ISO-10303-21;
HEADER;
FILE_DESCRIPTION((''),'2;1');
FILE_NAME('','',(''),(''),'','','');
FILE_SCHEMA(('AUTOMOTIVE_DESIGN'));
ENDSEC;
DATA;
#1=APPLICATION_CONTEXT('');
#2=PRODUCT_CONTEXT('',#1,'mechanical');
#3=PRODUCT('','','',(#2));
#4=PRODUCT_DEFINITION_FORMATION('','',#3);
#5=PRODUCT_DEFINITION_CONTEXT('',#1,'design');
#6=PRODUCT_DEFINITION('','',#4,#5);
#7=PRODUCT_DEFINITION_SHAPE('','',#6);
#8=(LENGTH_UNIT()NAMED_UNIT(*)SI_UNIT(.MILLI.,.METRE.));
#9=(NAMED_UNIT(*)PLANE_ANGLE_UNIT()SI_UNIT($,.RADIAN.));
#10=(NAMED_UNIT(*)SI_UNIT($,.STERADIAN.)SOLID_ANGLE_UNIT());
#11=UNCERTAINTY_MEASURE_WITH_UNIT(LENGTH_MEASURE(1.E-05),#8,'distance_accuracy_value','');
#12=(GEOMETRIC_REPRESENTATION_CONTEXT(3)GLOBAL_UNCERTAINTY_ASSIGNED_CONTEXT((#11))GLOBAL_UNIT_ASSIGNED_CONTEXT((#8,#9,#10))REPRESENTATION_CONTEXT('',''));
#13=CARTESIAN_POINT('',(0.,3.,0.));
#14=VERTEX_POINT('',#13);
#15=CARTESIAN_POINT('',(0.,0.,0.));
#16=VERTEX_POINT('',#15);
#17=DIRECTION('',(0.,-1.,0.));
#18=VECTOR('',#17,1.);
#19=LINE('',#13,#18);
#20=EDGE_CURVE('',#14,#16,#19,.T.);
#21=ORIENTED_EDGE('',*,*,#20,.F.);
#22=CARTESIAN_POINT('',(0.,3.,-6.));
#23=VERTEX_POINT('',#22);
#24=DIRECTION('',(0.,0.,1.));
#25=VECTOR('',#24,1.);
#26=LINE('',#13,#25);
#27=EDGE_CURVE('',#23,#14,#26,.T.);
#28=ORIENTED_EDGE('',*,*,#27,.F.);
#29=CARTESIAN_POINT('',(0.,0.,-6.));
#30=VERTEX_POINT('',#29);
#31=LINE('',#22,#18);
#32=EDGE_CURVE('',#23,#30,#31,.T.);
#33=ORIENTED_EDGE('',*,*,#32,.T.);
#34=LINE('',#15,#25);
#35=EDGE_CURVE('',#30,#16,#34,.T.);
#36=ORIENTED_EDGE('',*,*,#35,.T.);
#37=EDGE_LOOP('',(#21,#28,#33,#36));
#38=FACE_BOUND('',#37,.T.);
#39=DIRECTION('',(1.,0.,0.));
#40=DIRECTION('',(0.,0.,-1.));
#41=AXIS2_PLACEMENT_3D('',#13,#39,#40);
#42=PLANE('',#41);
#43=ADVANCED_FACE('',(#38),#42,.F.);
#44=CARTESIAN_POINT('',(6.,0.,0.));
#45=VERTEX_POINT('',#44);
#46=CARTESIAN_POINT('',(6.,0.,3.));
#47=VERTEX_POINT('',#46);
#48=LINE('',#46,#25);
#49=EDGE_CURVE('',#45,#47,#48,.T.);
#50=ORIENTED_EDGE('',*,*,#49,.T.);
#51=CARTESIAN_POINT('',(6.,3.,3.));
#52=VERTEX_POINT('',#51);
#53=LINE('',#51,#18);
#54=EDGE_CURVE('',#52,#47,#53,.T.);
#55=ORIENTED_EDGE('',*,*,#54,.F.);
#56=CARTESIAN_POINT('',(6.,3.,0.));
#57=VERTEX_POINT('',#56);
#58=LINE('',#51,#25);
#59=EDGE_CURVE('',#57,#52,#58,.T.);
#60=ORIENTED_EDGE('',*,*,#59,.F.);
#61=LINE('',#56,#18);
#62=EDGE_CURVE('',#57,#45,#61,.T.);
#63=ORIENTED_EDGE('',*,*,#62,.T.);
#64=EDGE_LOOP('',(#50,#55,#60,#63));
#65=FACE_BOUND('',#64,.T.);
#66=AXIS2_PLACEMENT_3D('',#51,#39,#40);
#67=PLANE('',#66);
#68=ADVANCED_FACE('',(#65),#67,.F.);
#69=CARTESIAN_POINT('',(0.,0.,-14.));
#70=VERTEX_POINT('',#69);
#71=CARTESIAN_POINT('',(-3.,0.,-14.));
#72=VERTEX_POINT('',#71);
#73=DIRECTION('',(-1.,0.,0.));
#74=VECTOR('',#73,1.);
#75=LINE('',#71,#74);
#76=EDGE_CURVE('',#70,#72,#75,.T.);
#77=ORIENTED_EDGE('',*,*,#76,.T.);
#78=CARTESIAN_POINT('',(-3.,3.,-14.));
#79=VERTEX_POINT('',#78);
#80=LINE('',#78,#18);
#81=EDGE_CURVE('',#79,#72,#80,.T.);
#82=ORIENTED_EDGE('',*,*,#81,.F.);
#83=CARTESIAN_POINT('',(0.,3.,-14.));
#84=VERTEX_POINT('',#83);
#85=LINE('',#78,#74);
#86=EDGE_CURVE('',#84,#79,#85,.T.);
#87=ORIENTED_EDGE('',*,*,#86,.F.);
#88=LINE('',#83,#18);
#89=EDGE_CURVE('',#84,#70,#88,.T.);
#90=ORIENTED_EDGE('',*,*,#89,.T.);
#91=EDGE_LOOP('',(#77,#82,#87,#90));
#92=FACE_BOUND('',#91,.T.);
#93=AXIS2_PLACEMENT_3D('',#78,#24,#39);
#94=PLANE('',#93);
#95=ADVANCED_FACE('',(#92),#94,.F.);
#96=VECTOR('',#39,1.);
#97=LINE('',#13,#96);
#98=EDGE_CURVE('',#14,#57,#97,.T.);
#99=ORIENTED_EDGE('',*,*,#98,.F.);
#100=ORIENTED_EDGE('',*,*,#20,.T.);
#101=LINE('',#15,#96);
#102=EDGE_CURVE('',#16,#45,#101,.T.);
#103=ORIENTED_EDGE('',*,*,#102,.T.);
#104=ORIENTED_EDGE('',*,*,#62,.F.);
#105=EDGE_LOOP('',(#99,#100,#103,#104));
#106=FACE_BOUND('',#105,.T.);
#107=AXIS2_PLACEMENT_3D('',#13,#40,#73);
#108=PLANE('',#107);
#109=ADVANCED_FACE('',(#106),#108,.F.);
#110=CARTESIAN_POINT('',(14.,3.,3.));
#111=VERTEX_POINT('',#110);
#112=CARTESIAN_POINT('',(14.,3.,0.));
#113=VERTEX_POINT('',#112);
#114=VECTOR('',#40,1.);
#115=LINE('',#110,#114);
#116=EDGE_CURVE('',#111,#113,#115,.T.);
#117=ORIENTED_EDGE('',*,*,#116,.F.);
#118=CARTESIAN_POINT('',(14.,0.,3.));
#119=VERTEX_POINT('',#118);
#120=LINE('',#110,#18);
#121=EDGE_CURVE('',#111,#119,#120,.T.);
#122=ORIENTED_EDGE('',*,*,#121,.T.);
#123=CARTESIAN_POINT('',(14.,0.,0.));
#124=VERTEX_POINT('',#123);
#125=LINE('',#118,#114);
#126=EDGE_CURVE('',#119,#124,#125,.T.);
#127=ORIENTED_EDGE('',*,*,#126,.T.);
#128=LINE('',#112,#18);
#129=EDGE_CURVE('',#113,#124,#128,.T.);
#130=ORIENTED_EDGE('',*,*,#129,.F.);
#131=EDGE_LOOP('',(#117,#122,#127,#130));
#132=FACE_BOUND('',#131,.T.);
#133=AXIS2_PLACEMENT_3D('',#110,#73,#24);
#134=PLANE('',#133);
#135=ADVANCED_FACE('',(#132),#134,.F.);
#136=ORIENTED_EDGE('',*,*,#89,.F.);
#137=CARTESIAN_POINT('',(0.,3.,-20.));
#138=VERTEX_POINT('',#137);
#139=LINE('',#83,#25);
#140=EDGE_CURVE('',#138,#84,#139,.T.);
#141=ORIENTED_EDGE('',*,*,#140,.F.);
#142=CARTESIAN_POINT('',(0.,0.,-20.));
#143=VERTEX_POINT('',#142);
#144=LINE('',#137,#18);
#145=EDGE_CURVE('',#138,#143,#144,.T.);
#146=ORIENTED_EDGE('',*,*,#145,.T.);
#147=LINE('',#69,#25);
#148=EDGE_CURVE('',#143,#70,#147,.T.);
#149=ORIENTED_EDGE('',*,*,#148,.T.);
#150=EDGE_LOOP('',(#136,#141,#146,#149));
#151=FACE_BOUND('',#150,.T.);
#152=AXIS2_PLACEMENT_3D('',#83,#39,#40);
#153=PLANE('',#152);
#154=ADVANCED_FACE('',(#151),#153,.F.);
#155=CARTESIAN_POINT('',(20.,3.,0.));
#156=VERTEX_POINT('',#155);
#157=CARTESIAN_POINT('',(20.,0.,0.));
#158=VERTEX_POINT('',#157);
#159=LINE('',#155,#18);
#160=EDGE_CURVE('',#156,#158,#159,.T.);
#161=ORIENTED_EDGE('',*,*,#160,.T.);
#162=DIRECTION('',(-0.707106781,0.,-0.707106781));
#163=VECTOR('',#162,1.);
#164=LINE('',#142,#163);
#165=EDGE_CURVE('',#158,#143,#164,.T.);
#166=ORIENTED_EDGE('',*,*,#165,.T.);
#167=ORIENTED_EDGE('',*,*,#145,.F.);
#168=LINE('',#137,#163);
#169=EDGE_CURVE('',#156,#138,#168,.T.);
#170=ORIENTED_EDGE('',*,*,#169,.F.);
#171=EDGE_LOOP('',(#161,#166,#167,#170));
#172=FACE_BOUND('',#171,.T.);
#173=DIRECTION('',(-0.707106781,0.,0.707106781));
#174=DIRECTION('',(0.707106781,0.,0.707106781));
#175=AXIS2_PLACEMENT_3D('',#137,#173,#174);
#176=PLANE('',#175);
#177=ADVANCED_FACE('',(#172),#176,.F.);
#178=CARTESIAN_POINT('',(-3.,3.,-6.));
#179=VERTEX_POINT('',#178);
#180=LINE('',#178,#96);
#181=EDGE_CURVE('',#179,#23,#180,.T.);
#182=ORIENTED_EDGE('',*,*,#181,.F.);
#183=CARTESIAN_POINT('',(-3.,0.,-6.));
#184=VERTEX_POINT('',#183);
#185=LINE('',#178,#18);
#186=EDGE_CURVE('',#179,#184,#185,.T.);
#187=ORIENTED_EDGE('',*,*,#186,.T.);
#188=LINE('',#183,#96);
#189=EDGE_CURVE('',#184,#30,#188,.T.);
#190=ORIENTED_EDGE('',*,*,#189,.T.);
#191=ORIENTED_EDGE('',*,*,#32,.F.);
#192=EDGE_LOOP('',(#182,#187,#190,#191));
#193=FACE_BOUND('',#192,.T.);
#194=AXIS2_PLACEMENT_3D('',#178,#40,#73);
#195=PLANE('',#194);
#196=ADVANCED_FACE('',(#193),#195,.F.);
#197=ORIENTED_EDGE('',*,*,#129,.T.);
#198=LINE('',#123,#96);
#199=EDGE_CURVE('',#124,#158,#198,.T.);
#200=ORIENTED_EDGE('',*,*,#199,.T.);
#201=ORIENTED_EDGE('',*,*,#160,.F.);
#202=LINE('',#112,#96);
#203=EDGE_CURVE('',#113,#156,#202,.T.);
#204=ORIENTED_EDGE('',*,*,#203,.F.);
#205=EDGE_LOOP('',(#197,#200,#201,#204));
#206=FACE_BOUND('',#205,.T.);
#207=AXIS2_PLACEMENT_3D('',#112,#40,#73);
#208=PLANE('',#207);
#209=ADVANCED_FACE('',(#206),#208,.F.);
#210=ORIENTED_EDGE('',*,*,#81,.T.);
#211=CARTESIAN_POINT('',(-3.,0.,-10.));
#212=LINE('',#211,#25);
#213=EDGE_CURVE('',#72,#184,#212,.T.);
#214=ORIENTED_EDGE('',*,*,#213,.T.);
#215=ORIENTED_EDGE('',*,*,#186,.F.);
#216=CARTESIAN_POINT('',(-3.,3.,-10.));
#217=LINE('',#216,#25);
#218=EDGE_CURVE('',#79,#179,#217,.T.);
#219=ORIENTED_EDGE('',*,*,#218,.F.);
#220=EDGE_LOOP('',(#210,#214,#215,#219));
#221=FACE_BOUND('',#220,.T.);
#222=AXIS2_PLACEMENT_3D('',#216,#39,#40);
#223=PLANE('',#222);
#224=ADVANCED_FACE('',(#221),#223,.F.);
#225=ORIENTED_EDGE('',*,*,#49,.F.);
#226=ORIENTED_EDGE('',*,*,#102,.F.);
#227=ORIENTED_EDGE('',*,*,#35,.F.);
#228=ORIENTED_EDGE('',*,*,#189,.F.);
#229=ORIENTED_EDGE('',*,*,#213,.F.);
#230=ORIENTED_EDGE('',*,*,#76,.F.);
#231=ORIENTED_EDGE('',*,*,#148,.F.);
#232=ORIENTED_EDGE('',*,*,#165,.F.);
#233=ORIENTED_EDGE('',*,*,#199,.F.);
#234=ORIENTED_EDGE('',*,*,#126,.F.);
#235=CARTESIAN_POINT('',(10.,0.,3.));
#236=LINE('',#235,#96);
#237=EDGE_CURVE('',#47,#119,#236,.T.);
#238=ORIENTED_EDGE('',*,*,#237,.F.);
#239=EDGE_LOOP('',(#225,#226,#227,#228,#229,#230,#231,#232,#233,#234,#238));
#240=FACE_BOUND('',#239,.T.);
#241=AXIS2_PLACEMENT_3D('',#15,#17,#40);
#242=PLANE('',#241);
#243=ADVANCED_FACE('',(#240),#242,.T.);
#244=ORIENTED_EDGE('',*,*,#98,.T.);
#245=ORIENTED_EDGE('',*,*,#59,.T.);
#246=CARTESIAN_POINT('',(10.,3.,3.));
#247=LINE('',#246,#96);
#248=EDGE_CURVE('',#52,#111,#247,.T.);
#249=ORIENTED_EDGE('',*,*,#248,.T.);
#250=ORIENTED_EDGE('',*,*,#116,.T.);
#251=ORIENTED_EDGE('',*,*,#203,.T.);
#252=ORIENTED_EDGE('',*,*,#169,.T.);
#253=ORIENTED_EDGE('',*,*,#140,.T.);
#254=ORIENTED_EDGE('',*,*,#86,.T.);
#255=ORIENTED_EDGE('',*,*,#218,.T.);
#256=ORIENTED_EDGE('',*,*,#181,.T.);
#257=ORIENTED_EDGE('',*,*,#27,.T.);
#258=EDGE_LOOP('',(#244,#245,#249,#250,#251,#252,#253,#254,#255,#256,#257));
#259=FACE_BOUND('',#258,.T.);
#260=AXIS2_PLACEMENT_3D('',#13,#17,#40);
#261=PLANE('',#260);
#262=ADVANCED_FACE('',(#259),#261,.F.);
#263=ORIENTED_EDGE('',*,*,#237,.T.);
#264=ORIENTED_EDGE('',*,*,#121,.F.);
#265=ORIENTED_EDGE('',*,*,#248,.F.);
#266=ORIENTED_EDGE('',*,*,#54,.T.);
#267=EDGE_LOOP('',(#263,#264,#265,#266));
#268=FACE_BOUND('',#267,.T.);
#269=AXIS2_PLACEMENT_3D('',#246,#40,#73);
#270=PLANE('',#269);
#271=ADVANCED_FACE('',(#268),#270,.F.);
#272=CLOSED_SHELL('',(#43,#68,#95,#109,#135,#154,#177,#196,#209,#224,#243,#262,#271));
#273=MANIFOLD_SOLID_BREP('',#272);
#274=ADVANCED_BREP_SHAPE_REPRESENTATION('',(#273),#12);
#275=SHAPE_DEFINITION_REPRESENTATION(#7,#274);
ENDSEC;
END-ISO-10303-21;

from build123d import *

# Parameters (mm, degrees)
SALIENTE_EXTRUIR1_DEPTH = 3


with BuildPart() as part:
    # Croquis1 → Saliente-Extruir1 (new body)
    with BuildSketch(Plane(origin=(0, 0, 0), x_dir=(1, 0, 0), z_dir=(0, 1, 0))):
        Polygon((0, 0), (6, 0), (6, -3), (10, -3), (14, -3), (14, 0), (20, 0), (0, 20), (0, 14), (-3, 14), (-3, 10), (-3, 6), (0, 6), align=None)
    extrude(amount=SALIENTE_EXTRUIR1_DEPTH)


solid = part.part
